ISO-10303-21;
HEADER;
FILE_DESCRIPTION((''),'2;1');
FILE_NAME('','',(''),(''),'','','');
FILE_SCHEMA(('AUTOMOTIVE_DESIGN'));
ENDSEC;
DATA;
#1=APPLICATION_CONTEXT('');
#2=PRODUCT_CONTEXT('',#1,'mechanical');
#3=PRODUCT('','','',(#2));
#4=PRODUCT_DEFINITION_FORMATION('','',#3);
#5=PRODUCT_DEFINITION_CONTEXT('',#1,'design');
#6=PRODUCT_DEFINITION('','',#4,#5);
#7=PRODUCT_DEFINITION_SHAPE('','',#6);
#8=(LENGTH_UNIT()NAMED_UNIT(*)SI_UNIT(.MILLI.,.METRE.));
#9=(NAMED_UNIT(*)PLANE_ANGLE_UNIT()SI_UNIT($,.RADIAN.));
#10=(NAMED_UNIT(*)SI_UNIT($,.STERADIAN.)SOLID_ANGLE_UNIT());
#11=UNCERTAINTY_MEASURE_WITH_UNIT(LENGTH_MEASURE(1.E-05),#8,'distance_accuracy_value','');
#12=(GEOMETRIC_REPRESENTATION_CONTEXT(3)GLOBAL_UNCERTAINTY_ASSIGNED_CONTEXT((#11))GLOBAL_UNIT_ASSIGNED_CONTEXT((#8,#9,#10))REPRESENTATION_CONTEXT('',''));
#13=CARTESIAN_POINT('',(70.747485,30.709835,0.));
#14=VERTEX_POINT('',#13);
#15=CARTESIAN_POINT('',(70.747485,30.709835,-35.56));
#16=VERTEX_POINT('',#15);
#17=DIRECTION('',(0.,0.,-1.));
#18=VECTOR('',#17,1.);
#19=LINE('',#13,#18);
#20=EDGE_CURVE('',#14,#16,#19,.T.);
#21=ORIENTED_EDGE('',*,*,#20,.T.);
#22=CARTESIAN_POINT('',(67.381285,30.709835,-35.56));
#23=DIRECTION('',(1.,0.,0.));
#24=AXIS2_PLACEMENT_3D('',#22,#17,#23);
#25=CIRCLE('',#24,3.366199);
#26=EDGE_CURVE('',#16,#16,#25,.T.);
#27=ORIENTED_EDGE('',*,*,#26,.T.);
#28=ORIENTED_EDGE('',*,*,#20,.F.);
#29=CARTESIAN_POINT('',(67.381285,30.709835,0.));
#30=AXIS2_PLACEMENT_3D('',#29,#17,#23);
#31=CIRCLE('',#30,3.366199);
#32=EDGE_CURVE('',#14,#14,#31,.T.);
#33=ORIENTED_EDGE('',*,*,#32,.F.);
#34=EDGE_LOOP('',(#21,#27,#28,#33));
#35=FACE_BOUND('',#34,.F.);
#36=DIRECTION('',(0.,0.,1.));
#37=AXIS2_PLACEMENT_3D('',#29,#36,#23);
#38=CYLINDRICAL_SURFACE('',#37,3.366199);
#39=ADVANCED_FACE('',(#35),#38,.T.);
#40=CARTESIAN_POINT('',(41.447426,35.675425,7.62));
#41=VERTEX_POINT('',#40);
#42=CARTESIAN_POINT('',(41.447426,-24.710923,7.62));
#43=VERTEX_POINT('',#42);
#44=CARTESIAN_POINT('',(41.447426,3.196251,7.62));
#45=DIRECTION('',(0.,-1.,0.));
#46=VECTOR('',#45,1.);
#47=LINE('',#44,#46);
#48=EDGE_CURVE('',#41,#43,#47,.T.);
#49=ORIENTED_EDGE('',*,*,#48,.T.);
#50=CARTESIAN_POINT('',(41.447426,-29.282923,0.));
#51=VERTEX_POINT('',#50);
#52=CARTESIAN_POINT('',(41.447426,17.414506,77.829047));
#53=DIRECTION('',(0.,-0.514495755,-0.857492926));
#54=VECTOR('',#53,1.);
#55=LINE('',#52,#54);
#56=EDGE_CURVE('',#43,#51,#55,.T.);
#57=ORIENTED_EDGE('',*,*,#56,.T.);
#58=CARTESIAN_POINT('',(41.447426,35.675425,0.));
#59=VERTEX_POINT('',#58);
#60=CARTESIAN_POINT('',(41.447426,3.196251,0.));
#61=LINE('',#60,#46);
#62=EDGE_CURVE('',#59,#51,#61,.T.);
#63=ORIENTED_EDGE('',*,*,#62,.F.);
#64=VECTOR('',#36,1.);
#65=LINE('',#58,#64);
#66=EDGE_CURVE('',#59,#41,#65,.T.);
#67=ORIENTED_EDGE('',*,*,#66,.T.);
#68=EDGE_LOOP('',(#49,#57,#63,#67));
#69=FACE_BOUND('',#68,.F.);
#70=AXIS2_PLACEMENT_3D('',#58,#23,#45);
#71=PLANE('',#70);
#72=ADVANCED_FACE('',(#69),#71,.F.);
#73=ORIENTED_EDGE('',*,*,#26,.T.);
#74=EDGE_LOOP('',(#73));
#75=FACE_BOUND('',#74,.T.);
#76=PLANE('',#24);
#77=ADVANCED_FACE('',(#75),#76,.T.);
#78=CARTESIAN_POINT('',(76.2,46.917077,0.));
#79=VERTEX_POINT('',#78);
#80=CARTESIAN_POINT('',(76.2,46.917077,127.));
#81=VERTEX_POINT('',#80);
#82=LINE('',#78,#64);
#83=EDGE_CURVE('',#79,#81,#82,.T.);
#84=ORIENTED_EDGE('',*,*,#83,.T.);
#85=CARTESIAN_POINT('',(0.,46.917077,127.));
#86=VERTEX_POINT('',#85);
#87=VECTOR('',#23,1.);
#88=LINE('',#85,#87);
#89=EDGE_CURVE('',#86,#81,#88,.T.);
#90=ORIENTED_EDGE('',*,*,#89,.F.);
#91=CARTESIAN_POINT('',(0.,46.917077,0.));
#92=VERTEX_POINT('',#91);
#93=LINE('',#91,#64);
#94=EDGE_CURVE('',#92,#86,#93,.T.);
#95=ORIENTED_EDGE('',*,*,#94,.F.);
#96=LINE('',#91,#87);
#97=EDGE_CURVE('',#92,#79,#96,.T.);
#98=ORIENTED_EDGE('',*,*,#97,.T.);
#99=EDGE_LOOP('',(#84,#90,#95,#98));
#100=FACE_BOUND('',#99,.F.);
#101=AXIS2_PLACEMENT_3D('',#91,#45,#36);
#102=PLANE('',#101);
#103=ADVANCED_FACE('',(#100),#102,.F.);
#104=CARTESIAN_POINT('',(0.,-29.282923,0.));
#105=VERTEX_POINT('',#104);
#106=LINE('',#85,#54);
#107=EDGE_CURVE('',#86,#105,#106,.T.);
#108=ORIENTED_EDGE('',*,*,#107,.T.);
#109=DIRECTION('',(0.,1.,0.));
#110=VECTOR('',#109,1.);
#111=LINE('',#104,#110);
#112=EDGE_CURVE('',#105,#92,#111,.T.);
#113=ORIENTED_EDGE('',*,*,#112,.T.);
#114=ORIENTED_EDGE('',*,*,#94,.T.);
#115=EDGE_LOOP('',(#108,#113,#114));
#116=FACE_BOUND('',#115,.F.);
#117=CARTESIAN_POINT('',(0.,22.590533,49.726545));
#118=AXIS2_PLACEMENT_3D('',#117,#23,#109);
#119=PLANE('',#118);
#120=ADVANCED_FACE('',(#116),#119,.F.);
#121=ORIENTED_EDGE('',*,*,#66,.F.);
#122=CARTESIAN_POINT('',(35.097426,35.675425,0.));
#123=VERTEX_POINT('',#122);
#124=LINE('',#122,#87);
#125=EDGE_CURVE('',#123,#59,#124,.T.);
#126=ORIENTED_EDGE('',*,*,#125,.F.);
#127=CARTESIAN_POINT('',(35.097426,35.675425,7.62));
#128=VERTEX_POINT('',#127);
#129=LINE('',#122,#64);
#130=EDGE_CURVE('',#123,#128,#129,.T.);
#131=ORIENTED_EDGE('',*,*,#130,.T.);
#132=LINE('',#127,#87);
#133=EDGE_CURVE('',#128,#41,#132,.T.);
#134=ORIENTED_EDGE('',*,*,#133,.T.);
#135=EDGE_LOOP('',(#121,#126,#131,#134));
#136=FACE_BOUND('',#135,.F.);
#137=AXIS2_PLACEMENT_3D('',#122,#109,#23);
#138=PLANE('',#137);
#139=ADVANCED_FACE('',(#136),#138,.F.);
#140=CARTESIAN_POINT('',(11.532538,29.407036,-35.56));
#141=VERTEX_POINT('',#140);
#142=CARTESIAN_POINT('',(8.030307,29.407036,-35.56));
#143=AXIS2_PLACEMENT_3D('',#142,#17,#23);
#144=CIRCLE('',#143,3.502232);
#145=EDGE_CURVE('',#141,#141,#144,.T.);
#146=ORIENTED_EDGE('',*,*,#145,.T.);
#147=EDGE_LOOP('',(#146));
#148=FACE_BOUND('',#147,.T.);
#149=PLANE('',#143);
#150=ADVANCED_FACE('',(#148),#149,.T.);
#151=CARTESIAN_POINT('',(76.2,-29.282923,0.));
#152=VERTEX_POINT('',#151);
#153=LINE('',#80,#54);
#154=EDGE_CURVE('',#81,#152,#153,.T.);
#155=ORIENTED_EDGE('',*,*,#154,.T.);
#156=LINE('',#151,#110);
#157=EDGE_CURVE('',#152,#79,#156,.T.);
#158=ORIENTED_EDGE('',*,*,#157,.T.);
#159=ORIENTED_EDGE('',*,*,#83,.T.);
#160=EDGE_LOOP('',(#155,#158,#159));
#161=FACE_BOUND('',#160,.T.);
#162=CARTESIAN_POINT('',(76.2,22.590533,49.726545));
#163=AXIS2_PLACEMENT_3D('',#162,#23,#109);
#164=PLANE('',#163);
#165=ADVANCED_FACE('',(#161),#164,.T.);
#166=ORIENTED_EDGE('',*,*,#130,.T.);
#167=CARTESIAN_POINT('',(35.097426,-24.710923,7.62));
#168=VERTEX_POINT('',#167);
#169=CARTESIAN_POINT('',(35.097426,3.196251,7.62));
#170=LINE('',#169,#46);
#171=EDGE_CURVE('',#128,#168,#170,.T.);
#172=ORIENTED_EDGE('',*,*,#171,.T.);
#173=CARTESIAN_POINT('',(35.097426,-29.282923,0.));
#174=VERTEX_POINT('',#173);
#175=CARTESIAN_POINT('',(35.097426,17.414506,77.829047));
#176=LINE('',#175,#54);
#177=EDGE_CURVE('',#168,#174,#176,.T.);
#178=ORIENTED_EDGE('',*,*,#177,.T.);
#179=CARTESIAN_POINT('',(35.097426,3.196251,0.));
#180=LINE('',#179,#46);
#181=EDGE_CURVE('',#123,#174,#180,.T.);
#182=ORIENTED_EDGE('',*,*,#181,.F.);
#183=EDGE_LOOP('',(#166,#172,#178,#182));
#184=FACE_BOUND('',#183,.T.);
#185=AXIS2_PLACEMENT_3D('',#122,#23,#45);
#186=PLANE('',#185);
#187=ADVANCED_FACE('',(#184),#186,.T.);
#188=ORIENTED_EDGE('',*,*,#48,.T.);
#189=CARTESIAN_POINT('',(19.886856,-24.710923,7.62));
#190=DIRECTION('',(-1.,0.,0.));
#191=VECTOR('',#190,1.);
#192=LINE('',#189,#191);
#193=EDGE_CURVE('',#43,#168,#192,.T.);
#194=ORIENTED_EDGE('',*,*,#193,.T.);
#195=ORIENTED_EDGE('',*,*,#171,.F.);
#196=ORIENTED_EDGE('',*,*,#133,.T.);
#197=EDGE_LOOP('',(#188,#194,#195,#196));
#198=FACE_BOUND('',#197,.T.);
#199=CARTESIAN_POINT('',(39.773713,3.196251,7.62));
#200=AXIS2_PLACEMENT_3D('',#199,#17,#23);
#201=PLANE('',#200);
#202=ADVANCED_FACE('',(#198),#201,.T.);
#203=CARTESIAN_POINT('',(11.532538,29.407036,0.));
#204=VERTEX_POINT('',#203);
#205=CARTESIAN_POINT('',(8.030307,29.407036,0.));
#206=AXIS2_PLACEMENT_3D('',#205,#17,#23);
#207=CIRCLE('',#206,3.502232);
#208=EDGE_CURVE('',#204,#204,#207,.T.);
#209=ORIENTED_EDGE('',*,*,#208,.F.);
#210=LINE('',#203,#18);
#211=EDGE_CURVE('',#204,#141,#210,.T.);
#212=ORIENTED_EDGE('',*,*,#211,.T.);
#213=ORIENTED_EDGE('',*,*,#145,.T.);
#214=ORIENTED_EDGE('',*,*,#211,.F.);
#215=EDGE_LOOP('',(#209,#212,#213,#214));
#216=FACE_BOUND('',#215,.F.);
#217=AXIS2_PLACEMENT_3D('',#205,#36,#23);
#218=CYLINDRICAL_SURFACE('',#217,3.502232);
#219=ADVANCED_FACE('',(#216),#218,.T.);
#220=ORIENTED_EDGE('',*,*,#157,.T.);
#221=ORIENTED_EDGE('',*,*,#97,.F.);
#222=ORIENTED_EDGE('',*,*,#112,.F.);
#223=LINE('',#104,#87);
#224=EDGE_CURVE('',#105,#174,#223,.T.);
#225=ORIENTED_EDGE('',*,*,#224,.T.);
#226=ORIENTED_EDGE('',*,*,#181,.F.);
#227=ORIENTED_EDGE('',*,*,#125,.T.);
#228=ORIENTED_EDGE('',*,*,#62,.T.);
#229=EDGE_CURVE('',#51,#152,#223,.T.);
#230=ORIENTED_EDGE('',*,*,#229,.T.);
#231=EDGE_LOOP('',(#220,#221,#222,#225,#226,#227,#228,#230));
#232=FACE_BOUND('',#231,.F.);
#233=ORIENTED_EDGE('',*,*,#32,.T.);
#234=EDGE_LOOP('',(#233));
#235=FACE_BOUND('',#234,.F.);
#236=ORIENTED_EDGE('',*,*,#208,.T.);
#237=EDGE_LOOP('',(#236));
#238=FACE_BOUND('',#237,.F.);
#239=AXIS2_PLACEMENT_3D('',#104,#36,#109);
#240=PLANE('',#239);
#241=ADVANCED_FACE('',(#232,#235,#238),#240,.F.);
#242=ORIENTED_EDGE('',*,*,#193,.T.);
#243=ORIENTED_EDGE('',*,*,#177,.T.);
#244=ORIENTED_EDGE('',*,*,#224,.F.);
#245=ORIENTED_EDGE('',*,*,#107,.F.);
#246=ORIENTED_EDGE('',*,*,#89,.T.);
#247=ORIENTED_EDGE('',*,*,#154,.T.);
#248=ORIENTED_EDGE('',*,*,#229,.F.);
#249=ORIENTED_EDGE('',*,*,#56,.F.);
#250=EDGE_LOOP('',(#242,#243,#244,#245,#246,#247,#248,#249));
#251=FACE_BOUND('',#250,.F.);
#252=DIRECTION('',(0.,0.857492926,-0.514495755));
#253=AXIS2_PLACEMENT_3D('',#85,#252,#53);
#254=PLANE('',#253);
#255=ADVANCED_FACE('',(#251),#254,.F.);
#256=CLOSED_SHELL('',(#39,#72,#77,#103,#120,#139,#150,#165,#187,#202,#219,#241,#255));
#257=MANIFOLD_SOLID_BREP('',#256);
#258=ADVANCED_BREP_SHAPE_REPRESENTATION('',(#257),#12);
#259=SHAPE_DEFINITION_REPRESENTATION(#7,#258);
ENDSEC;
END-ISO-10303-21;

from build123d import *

# Parameters (mm, degrees)
F1_DEPTH = 76.2
F2_W     = 3.3474258035
F2_H     = 64.9583479285
F2_W_2   = 3.0025741965
F3_DEPTH = 7.62
F4_R     = 3.3661994945
F6_DEPTH = 35.56
F5_R     = 3.502231615
F7_DEPTH = 35.56


with BuildPart() as f1:
    # F0 (on Right) → F1 (new body)
    with BuildSketch(Plane.YZ):
        Polygon((46.9170771539, 127), (-29.2829228461, 0), (46.9170771539, 0), align=None)
    extrude(amount=F1_DEPTH)

    # F2 (on face) → F3 (cut)
    with BuildSketch(Plane(origin=(0, 0, 0), x_dir=(1, 0, 0), z_dir=(0, 0, -1))):
        with Locations((39.7737129018, -3.1962511182)):
            Rectangle(F2_W, F2_H)
        with Locations((36.5987129018, -3.1962511182)):
            Rectangle(F2_W_2, F2_H)
    extrude(amount=-F3_DEPTH, mode=Mode.SUBTRACT)

    # F4 (on face) → F6 (join)
    with BuildSketch(Plane(origin=(0, 0, 0), x_dir=(1, 0, 0), z_dir=(0, 0, -1))):
        with Locations((67.381285131, -30.7098347694)):
            Circle(F4_R)
    extrude(amount=F6_DEPTH)

    # F5 (on face) → F7 (join)
    with BuildSketch(Plane(origin=(0, 0, 0), x_dir=(1, 0, 0), z_dir=(0, 0, -1))):
        with Locations((8.0303065479, -29.4070355594)):
            Circle(F5_R)
    extrude(amount=F7_DEPTH)


solid = f1.part
